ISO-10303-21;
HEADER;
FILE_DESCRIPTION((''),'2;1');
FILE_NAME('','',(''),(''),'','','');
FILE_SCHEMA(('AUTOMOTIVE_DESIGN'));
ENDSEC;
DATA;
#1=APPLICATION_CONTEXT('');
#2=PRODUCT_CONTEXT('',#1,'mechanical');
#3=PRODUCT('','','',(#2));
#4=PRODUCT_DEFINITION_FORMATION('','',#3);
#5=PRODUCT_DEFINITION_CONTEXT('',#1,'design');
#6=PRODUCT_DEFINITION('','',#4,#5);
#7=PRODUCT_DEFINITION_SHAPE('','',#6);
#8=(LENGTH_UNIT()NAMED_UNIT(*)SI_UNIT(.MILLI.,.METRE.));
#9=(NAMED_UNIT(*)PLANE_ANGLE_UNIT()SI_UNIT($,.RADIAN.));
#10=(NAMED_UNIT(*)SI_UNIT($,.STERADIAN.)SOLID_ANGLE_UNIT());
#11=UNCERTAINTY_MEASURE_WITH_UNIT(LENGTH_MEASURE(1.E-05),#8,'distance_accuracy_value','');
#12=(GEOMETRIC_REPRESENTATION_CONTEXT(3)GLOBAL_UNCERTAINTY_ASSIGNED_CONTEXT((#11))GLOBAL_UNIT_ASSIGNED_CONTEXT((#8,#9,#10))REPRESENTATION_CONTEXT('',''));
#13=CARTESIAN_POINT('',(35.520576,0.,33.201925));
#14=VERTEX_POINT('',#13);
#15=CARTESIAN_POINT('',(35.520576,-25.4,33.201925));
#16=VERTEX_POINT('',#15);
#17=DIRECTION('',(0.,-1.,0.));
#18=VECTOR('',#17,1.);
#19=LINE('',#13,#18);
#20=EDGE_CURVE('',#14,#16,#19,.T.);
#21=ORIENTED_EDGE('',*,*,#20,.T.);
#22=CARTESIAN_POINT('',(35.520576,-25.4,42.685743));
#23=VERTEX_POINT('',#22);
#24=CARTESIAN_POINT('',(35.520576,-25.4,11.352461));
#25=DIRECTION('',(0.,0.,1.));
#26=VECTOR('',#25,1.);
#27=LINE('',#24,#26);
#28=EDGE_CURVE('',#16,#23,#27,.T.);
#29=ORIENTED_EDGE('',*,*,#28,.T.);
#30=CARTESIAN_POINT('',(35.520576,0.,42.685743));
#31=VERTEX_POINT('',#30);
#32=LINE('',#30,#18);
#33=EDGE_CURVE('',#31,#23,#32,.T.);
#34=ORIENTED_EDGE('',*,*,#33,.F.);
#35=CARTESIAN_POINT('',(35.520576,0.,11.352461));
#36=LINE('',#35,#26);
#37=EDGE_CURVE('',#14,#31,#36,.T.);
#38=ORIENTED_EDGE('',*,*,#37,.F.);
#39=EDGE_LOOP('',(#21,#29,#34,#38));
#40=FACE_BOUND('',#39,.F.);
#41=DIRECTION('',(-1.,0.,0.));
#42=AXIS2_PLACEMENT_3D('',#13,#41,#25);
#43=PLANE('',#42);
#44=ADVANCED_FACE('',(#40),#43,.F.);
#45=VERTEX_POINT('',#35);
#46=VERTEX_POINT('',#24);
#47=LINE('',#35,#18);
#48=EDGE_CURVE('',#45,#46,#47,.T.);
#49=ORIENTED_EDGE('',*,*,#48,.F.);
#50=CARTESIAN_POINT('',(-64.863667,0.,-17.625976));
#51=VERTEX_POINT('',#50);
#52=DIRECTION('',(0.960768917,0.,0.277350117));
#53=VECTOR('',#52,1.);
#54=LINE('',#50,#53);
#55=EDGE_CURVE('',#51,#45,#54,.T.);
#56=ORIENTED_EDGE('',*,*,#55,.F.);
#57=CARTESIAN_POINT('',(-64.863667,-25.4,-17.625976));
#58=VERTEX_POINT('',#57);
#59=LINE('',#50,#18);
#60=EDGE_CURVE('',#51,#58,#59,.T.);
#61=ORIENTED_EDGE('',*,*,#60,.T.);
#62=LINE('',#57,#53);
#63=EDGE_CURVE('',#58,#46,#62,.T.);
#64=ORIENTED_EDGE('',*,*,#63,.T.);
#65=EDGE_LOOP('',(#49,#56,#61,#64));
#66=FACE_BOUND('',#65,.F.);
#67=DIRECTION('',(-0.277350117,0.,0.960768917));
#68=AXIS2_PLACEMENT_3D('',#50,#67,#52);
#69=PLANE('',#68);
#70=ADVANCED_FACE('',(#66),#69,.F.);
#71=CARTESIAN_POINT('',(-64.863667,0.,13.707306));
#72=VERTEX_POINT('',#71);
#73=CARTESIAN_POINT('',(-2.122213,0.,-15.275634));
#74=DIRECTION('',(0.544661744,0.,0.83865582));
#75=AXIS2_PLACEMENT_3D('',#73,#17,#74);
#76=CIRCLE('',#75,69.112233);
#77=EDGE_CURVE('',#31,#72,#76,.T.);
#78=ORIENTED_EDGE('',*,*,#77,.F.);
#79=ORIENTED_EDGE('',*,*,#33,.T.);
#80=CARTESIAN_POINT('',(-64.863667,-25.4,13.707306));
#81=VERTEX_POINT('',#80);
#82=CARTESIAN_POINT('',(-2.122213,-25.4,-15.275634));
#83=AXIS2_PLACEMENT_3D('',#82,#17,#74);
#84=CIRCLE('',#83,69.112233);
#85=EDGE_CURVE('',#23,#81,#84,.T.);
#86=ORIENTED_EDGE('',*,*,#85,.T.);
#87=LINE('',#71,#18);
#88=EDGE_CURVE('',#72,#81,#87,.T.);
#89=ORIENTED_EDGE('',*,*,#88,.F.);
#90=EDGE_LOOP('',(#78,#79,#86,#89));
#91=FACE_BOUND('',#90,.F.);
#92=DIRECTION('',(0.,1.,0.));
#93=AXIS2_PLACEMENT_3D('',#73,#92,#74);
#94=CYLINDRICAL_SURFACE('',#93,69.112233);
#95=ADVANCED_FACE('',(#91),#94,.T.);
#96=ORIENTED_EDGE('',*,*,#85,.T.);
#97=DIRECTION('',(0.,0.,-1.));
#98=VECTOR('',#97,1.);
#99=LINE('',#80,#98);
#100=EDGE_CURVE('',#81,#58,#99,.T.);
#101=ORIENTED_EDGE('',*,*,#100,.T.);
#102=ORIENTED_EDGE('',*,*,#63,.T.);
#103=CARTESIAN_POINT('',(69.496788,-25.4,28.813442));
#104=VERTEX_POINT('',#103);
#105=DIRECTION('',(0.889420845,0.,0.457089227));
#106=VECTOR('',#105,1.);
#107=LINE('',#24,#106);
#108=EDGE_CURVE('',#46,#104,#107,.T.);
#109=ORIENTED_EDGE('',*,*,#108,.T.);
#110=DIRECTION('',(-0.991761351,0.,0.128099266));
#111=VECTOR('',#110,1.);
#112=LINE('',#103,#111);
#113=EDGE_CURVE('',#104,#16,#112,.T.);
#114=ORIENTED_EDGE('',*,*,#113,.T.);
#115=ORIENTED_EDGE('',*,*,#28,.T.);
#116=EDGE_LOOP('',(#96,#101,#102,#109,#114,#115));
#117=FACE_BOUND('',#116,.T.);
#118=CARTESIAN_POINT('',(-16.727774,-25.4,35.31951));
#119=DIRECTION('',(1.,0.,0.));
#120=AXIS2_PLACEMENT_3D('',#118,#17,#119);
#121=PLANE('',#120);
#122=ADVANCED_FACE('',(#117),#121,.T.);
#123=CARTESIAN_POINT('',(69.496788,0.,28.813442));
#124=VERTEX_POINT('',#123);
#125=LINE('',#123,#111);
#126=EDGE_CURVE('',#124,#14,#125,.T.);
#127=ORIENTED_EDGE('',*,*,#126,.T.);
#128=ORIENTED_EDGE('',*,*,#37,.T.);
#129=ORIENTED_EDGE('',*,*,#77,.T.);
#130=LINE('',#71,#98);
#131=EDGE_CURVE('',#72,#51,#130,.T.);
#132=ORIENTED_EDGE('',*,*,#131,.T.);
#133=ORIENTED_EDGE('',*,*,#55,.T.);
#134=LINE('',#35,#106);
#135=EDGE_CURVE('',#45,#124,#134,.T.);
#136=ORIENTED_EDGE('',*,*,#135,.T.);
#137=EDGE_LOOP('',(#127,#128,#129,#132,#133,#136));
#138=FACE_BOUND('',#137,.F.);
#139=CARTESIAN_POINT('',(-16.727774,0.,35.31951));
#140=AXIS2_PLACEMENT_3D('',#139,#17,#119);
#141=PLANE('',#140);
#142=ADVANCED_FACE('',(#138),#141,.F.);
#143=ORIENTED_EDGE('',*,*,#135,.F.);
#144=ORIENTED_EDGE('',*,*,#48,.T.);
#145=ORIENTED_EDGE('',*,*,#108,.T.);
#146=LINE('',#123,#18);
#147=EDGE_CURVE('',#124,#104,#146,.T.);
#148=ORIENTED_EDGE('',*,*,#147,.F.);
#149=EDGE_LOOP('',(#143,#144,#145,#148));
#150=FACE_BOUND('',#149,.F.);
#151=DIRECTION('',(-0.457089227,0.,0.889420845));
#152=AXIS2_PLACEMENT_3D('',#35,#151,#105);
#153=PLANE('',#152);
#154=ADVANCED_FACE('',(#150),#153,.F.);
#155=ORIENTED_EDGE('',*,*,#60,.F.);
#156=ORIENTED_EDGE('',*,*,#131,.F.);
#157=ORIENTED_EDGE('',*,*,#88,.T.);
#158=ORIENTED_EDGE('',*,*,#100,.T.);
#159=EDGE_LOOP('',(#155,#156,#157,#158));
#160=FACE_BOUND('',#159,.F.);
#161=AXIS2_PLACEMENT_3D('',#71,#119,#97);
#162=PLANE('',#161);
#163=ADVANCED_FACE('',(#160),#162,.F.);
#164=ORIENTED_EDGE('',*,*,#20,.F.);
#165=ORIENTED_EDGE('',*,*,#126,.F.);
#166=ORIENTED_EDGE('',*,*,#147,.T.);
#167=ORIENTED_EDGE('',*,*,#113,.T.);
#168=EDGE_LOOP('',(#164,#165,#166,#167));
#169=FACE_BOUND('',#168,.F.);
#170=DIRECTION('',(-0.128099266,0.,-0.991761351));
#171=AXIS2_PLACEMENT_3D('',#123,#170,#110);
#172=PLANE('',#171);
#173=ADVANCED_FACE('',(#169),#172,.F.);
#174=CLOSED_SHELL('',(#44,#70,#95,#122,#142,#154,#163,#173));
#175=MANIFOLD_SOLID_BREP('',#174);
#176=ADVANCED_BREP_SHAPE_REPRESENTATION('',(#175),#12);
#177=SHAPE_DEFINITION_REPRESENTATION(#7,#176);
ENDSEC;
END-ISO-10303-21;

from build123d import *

# Parameters (mm, degrees)
F1_DEPTH = 25.4


with BuildPart() as f1:
    # F0 (on Front) → F1 (new body)
    with BuildSketch(Plane.XZ):
        with BuildLine():
            ThreePointArc((35.520576, 42.685743), (-21.290499, 51.125252), (-64.863667, 13.707306))
            Line((-64.863667, 13.707306), (35.520576, 42.685743))
        make_face()
        Polygon((35.520576, 42.685743), (-64.863667, 13.707306), (-64.863667, -17.625976), (35.520576, 11.352461), (35.520576, 33.201925), align=None)
        Polygon((69.496788, 28.813442), (35.520576, 33.201925), (35.520576, 11.352461), align=None)
    extrude(amount=F1_DEPTH)


solid = f1.part
